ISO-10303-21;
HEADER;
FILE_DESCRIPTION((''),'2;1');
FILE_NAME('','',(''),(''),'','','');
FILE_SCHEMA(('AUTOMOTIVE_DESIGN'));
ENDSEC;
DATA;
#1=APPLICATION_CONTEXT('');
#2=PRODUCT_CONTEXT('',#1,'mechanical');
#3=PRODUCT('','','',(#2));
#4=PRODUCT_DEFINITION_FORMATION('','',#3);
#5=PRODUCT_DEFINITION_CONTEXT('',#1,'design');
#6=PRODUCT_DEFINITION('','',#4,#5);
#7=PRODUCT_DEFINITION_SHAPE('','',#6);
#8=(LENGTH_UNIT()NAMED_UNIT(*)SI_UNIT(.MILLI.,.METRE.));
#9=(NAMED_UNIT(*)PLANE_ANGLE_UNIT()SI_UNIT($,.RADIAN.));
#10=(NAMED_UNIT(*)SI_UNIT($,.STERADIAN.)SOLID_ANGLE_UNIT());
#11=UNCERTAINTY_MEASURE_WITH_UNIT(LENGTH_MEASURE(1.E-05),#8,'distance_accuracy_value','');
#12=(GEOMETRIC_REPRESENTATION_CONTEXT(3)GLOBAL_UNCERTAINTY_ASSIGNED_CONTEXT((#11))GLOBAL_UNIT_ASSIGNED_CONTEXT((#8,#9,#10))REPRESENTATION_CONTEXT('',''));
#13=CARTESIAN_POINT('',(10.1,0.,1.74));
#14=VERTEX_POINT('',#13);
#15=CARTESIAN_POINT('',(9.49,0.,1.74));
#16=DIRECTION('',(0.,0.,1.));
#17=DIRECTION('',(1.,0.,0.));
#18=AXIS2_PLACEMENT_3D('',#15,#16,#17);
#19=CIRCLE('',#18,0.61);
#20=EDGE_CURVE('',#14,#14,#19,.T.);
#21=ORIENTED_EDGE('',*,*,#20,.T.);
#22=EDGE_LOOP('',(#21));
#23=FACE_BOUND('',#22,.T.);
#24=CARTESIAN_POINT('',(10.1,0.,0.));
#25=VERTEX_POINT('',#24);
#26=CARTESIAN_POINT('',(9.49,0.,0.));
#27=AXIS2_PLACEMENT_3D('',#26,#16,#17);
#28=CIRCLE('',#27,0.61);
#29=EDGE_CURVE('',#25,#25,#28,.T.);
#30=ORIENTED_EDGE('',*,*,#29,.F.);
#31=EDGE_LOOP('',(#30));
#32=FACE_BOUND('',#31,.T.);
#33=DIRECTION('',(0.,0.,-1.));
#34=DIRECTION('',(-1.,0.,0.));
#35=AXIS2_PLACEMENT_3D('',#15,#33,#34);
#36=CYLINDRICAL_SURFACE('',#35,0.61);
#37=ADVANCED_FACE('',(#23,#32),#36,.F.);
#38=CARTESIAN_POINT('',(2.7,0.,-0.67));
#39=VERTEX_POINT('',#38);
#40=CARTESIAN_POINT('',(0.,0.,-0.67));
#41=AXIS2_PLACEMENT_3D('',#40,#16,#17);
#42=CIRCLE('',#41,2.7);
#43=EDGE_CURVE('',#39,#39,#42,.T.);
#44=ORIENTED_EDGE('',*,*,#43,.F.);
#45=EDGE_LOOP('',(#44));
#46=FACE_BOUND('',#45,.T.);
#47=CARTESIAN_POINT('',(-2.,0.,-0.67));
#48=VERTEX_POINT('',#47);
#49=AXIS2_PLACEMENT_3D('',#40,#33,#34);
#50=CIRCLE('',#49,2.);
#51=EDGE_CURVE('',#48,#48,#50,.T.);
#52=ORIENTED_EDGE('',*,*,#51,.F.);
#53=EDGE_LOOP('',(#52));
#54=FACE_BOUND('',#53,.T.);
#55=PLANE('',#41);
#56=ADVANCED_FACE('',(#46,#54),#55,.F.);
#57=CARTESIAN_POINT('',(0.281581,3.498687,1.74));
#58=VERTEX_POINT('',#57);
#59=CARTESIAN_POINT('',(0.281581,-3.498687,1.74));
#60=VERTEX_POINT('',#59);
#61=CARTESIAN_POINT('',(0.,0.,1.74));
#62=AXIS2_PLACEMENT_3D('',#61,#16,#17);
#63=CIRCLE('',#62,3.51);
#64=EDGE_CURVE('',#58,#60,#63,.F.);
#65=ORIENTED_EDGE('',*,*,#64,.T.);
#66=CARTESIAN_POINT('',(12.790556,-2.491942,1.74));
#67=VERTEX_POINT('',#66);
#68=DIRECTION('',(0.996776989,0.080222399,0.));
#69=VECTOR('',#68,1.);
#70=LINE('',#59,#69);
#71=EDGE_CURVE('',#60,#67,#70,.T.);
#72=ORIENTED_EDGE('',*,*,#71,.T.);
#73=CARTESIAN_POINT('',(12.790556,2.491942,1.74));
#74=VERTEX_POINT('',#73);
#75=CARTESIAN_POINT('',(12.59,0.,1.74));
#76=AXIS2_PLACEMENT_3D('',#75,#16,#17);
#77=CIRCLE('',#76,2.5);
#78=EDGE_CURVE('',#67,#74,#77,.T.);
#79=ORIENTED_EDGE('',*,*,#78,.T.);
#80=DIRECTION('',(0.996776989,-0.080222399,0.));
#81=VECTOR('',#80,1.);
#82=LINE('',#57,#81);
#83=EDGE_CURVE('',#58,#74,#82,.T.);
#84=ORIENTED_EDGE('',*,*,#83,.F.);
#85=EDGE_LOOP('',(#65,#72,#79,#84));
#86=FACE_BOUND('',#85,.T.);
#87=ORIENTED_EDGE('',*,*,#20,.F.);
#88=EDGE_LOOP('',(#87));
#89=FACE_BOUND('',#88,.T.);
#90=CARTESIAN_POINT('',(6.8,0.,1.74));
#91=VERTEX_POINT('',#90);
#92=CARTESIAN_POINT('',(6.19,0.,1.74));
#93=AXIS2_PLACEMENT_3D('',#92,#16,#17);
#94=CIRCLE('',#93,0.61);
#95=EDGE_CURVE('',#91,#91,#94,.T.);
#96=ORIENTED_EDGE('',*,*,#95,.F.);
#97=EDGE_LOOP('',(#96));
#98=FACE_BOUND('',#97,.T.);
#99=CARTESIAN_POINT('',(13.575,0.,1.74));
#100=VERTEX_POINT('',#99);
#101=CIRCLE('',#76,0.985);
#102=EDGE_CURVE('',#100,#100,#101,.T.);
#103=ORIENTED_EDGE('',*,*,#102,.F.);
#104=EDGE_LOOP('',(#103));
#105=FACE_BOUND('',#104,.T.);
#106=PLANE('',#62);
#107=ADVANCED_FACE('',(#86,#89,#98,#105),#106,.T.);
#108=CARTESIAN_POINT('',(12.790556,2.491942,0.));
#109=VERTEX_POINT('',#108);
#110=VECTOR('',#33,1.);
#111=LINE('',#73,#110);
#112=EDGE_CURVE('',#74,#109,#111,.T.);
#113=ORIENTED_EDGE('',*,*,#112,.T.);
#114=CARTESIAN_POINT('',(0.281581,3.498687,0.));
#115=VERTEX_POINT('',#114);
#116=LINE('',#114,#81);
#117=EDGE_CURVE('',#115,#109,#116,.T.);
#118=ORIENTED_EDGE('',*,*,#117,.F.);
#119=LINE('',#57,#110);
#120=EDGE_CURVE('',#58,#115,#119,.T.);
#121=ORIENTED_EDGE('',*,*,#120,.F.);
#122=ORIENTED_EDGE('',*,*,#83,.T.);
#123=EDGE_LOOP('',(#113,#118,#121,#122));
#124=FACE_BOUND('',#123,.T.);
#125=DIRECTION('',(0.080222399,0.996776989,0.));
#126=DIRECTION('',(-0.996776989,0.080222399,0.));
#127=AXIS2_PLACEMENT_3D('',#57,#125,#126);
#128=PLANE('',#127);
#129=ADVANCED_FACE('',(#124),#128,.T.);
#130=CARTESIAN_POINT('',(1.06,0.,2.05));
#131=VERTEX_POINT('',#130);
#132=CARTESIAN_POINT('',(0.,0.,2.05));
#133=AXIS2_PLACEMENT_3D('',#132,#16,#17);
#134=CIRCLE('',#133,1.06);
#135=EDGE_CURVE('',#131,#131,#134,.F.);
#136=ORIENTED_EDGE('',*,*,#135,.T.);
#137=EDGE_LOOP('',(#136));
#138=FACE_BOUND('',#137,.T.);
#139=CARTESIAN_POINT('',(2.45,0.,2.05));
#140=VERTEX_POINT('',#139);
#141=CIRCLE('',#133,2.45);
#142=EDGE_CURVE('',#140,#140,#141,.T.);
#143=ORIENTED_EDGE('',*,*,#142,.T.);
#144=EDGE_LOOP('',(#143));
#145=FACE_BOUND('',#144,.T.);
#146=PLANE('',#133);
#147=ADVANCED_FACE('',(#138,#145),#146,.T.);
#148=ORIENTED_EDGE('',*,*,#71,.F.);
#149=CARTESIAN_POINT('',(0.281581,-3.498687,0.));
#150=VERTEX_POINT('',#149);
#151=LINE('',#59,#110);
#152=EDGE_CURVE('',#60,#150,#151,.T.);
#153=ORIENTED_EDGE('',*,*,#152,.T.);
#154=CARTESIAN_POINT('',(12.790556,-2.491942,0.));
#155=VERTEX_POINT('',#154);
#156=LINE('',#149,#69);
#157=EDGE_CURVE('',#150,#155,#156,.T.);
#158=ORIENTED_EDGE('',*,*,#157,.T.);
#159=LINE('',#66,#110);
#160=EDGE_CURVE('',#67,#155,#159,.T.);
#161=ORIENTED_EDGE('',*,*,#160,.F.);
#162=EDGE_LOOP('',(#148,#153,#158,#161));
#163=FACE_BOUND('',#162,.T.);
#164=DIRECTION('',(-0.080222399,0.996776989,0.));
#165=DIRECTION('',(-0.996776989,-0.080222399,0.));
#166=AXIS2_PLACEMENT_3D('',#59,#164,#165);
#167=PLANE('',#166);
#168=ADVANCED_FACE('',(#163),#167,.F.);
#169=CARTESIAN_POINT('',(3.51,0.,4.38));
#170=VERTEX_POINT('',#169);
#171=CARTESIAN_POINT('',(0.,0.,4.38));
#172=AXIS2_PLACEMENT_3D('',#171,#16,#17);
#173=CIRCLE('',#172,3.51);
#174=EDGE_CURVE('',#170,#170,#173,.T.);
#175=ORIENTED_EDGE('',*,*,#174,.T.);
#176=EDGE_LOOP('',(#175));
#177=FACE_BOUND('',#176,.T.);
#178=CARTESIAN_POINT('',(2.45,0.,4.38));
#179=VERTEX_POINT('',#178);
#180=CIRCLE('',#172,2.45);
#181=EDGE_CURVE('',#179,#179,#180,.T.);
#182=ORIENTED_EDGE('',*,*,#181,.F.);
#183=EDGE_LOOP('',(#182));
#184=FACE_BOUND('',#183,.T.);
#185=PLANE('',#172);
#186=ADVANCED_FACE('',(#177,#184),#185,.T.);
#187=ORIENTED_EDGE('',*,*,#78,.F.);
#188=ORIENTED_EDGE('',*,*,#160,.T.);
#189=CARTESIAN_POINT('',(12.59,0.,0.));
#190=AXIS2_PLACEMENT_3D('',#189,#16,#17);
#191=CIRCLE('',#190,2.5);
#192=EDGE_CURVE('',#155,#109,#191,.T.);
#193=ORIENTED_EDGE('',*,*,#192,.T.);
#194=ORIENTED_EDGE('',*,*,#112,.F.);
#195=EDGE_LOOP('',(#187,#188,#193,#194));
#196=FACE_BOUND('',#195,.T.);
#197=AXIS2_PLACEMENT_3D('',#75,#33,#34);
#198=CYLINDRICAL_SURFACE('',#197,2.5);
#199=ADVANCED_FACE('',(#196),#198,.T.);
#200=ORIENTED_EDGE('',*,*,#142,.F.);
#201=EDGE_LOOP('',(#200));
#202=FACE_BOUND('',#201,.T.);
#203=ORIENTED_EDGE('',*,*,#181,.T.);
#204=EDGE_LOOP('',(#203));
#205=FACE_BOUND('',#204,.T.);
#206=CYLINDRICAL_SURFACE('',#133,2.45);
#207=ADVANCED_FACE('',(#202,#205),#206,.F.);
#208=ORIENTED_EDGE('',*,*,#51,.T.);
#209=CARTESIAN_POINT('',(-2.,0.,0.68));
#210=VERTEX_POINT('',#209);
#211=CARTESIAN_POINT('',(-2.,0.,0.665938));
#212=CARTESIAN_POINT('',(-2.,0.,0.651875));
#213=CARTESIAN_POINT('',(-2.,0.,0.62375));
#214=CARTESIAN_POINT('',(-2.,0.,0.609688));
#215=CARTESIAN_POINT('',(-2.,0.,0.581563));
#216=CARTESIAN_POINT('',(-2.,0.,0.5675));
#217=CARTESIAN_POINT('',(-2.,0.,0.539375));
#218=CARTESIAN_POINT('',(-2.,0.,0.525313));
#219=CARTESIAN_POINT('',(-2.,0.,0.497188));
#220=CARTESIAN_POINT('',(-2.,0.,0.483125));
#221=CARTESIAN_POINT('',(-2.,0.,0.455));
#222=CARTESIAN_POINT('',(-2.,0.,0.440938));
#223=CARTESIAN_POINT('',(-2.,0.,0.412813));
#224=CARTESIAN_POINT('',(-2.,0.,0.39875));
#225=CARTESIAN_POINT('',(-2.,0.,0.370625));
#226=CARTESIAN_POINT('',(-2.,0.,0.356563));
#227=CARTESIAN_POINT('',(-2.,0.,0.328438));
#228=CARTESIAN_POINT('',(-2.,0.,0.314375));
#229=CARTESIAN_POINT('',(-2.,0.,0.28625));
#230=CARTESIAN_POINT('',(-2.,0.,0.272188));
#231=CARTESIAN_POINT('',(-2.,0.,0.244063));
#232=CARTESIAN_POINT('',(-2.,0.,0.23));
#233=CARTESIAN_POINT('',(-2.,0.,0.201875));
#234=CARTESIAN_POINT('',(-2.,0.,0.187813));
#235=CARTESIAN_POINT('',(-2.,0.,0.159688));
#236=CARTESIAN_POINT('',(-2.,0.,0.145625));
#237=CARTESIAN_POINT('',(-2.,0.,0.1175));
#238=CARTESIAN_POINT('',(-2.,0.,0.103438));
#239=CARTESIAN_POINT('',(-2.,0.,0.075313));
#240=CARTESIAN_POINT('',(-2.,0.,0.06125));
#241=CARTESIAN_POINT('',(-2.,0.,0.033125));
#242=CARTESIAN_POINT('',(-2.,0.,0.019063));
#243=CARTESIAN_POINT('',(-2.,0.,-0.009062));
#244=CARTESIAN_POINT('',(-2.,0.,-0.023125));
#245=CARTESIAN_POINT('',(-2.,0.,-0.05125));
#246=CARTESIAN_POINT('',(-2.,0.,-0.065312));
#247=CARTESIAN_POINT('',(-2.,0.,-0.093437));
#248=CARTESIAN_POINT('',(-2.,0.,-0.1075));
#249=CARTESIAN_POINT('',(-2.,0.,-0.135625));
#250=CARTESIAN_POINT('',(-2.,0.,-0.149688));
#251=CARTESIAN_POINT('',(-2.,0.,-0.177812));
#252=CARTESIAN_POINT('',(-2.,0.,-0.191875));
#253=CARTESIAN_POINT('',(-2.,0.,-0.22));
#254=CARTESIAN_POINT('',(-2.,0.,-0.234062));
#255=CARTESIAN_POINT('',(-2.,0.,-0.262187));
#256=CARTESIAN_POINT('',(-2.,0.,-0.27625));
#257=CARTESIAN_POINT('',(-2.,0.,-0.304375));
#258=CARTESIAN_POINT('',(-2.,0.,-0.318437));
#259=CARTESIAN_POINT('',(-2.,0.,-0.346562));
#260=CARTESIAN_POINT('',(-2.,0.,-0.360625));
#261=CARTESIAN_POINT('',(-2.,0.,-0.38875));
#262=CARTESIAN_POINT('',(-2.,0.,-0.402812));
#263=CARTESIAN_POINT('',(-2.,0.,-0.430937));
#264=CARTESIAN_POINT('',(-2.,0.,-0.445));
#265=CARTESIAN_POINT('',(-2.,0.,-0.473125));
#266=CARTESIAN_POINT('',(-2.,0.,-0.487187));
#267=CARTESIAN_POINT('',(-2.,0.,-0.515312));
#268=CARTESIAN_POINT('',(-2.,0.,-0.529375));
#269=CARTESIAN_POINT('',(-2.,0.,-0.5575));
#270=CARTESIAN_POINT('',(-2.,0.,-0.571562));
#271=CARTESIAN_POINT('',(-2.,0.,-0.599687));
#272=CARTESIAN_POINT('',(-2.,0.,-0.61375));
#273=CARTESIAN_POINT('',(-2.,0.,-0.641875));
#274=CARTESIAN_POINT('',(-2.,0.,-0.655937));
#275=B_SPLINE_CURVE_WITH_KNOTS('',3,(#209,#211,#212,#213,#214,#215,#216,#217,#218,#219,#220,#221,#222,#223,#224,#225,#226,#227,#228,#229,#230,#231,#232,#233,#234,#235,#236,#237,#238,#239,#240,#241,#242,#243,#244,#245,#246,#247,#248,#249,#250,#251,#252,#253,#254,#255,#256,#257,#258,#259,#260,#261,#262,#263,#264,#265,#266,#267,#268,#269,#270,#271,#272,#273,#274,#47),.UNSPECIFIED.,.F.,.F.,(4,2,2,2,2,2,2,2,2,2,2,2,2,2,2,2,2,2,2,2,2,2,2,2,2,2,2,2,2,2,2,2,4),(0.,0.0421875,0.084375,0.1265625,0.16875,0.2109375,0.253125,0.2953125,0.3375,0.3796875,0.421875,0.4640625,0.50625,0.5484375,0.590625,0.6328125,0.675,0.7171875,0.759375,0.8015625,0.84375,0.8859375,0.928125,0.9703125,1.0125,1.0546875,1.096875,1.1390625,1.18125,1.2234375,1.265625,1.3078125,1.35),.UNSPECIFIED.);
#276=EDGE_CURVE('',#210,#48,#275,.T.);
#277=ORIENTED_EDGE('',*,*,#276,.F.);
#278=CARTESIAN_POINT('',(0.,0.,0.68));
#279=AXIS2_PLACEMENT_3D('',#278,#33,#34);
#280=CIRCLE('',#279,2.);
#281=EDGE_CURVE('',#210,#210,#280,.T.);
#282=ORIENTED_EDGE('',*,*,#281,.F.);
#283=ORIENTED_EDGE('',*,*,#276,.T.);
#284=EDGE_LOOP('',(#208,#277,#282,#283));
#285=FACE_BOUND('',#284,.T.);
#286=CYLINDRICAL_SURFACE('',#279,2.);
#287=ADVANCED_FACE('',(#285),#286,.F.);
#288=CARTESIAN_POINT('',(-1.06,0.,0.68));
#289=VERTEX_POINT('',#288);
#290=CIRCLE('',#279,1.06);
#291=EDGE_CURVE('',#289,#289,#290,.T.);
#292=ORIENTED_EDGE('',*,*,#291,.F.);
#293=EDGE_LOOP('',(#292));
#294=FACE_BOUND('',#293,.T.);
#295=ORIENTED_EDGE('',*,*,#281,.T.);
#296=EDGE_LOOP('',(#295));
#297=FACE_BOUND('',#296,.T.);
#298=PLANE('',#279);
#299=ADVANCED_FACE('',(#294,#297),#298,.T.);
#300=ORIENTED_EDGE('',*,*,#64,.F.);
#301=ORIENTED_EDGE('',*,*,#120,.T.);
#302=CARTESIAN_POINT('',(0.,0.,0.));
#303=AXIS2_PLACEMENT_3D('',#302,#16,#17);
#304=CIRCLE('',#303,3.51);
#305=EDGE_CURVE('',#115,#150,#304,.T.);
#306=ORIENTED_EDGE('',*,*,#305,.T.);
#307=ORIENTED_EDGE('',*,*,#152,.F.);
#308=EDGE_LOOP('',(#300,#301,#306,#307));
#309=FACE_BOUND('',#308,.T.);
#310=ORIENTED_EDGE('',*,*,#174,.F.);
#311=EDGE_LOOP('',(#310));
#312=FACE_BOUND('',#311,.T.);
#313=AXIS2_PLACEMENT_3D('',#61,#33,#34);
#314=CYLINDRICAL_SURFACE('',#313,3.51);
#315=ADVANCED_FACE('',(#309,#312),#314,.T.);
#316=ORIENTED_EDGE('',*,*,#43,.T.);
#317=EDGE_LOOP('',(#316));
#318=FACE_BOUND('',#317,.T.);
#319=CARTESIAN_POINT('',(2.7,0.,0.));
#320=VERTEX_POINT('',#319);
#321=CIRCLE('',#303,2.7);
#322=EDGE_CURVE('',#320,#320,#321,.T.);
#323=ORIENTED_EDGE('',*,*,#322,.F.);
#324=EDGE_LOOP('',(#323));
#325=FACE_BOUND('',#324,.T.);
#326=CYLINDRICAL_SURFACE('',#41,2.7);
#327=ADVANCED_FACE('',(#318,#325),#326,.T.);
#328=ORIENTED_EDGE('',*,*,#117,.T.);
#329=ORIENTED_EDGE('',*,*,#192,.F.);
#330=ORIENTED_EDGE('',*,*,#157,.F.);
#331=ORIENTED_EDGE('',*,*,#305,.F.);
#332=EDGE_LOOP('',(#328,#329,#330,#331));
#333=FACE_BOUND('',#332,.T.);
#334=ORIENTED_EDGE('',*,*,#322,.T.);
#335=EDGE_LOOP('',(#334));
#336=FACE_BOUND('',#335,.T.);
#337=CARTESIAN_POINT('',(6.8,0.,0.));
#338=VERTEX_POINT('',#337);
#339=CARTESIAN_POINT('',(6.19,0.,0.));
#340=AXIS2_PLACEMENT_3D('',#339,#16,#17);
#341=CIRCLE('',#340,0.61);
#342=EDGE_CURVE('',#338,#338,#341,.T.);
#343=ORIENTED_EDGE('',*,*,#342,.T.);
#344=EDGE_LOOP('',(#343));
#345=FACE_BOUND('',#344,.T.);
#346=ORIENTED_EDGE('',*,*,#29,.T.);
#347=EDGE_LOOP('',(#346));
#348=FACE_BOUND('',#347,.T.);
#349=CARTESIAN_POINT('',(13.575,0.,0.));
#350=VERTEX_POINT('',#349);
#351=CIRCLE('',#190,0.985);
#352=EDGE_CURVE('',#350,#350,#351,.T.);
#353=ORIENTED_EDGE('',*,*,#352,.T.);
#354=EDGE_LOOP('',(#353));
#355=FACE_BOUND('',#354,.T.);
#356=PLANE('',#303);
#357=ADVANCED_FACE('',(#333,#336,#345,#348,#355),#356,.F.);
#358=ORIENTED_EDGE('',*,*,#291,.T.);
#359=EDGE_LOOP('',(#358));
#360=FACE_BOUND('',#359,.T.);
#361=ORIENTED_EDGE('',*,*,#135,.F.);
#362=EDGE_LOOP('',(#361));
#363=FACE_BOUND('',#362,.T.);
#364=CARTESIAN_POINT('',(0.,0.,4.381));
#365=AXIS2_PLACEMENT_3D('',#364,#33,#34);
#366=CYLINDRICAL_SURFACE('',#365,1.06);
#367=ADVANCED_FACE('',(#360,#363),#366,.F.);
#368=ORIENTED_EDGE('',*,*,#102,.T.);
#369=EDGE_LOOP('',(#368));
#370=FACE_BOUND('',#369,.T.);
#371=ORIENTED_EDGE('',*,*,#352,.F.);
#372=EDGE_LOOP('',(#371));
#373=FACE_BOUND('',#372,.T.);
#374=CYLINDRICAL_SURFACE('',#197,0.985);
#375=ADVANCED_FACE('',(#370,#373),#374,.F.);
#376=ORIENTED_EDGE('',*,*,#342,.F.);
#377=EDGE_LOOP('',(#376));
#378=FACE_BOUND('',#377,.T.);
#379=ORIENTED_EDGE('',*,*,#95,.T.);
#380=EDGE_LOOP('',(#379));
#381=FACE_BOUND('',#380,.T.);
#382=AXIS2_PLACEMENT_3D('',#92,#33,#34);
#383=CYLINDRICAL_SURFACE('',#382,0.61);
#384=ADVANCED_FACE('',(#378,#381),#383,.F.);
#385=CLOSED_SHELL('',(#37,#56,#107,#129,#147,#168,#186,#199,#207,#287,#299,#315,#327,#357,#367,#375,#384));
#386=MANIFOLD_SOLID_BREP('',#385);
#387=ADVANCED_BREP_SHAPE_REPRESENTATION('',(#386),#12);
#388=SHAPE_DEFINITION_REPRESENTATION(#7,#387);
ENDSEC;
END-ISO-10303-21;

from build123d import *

# Parameters (mm, degrees)
SCHIZZO1_R                   = 0.61
SCHIZZO1_R_2                 = 0.985
ESTRUSIONE_ESTRUSIONE1_DEPTH = 1.74
ESTRUSIONE_ESTRUSIONE2_START = -1.74
SCHIZZO2_R                   = 3.51
ESTRUSIONE_ESTRUSIONE2_DEPTH = 4.38
ESTRUSIONE_ESTRUSIONE3_START = -4.38
SCHIZZO3_R                   = 2.7
ESTRUSIONE_ESTRUSIONE3_DEPTH = 5.05
SCHIZZO4_R                   = 2.45
TAGLIO_ESTRUSIONE1_DEPTH     = 2.33
SCHIZZO5_R                   = 2
TAGLIO_ESTRUSIONE2_DEPTH     = 1.35
TAGLIO_ESTRUSIONE3_REACH     = 17.929
SCHIZZO6_R                   = 1.06


with BuildPart() as part:
    # Schizzo1 → Estrusione-Estrusione1 (new body)
    with BuildSketch(Plane.XY):
        with BuildLine():
            Line((12.790555997, 2.491942474), (0.28158062, 3.498687233))
            ThreePointArc((0.28158062, 3.498687233), (-3.51, 0), (0.28158062, -3.498687233))
            Line((0.28158062, -3.498687233), (12.790555997, -2.491942474))
            ThreePointArc((12.790555997, -2.491942474), (15.09, 0), (12.790555997, 2.491942474))
        make_face()
        with Locations((9.49, 0)):
            Circle(SCHIZZO1_R, mode=Mode.SUBTRACT)
        with Locations((6.19, 0)):
            Circle(SCHIZZO1_R, mode=Mode.SUBTRACT)
        with Locations((12.59, 0)):
            Circle(SCHIZZO1_R_2, mode=Mode.SUBTRACT)
    extrude(amount=ESTRUSIONE_ESTRUSIONE1_DEPTH)

    # Schizzo2 → Estrusione-Estrusione2 (add)
    with BuildSketch(Plane.XY.offset(1.74).offset(ESTRUSIONE_ESTRUSIONE2_START)):
        with Locations(Location((0, 0, 0), (0, 0, 274.601349332))):
            Circle(SCHIZZO2_R)
    extrude(amount=ESTRUSIONE_ESTRUSIONE2_DEPTH)

    # Schizzo3 → Estrusione-Estrusione3 (add)
    with BuildSketch(Plane(origin=(0, 0, 0), x_dir=(-1, 0, 0), z_dir=(0, 0, -1)).offset(ESTRUSIONE_ESTRUSIONE3_START)):
        with Locations(Location((0, 0, 0), (0, 0, 180))):
            Circle(SCHIZZO3_R)
    extrude(amount=ESTRUSIONE_ESTRUSIONE3_DEPTH)

    # Schizzo4 → Taglio-Estrusione1 (cut)
    with BuildSketch(Plane.XY.offset(4.38)):
        Circle(SCHIZZO4_R)
    extrude(amount=-TAGLIO_ESTRUSIONE1_DEPTH, mode=Mode.SUBTRACT)

    # Schizzo5 → Taglio-Estrusione2 (cut)
    with BuildSketch(Plane(origin=(0, 0, -0.67), x_dir=(-1, 0, 0), z_dir=(0, 0, -1))):
        Circle(SCHIZZO5_R)
    extrude(amount=-TAGLIO_ESTRUSIONE2_DEPTH, mode=Mode.SUBTRACT)

    # Schizzo6 → Taglio-Estrusione3 (cut, up to next)
    with BuildSketch(Plane(origin=(0, 0, 0.68), x_dir=(-1, 0, 0), z_dir=(0, 0, -1)), mode=Mode.PRIVATE) as taglio_estrusione3_sk1:
        Circle(SCHIZZO6_R)
    taglio_estrusione3_tool1 = extrude(taglio_estrusione3_sk1.sketch, amount=-TAGLIO_ESTRUSIONE3_REACH, mode=Mode.PRIVATE) & part.part
    add(taglio_estrusione3_tool1.solids().sort_by_distance((0, 0, 0.68))[0], mode=Mode.SUBTRACT)


solid = part.part
